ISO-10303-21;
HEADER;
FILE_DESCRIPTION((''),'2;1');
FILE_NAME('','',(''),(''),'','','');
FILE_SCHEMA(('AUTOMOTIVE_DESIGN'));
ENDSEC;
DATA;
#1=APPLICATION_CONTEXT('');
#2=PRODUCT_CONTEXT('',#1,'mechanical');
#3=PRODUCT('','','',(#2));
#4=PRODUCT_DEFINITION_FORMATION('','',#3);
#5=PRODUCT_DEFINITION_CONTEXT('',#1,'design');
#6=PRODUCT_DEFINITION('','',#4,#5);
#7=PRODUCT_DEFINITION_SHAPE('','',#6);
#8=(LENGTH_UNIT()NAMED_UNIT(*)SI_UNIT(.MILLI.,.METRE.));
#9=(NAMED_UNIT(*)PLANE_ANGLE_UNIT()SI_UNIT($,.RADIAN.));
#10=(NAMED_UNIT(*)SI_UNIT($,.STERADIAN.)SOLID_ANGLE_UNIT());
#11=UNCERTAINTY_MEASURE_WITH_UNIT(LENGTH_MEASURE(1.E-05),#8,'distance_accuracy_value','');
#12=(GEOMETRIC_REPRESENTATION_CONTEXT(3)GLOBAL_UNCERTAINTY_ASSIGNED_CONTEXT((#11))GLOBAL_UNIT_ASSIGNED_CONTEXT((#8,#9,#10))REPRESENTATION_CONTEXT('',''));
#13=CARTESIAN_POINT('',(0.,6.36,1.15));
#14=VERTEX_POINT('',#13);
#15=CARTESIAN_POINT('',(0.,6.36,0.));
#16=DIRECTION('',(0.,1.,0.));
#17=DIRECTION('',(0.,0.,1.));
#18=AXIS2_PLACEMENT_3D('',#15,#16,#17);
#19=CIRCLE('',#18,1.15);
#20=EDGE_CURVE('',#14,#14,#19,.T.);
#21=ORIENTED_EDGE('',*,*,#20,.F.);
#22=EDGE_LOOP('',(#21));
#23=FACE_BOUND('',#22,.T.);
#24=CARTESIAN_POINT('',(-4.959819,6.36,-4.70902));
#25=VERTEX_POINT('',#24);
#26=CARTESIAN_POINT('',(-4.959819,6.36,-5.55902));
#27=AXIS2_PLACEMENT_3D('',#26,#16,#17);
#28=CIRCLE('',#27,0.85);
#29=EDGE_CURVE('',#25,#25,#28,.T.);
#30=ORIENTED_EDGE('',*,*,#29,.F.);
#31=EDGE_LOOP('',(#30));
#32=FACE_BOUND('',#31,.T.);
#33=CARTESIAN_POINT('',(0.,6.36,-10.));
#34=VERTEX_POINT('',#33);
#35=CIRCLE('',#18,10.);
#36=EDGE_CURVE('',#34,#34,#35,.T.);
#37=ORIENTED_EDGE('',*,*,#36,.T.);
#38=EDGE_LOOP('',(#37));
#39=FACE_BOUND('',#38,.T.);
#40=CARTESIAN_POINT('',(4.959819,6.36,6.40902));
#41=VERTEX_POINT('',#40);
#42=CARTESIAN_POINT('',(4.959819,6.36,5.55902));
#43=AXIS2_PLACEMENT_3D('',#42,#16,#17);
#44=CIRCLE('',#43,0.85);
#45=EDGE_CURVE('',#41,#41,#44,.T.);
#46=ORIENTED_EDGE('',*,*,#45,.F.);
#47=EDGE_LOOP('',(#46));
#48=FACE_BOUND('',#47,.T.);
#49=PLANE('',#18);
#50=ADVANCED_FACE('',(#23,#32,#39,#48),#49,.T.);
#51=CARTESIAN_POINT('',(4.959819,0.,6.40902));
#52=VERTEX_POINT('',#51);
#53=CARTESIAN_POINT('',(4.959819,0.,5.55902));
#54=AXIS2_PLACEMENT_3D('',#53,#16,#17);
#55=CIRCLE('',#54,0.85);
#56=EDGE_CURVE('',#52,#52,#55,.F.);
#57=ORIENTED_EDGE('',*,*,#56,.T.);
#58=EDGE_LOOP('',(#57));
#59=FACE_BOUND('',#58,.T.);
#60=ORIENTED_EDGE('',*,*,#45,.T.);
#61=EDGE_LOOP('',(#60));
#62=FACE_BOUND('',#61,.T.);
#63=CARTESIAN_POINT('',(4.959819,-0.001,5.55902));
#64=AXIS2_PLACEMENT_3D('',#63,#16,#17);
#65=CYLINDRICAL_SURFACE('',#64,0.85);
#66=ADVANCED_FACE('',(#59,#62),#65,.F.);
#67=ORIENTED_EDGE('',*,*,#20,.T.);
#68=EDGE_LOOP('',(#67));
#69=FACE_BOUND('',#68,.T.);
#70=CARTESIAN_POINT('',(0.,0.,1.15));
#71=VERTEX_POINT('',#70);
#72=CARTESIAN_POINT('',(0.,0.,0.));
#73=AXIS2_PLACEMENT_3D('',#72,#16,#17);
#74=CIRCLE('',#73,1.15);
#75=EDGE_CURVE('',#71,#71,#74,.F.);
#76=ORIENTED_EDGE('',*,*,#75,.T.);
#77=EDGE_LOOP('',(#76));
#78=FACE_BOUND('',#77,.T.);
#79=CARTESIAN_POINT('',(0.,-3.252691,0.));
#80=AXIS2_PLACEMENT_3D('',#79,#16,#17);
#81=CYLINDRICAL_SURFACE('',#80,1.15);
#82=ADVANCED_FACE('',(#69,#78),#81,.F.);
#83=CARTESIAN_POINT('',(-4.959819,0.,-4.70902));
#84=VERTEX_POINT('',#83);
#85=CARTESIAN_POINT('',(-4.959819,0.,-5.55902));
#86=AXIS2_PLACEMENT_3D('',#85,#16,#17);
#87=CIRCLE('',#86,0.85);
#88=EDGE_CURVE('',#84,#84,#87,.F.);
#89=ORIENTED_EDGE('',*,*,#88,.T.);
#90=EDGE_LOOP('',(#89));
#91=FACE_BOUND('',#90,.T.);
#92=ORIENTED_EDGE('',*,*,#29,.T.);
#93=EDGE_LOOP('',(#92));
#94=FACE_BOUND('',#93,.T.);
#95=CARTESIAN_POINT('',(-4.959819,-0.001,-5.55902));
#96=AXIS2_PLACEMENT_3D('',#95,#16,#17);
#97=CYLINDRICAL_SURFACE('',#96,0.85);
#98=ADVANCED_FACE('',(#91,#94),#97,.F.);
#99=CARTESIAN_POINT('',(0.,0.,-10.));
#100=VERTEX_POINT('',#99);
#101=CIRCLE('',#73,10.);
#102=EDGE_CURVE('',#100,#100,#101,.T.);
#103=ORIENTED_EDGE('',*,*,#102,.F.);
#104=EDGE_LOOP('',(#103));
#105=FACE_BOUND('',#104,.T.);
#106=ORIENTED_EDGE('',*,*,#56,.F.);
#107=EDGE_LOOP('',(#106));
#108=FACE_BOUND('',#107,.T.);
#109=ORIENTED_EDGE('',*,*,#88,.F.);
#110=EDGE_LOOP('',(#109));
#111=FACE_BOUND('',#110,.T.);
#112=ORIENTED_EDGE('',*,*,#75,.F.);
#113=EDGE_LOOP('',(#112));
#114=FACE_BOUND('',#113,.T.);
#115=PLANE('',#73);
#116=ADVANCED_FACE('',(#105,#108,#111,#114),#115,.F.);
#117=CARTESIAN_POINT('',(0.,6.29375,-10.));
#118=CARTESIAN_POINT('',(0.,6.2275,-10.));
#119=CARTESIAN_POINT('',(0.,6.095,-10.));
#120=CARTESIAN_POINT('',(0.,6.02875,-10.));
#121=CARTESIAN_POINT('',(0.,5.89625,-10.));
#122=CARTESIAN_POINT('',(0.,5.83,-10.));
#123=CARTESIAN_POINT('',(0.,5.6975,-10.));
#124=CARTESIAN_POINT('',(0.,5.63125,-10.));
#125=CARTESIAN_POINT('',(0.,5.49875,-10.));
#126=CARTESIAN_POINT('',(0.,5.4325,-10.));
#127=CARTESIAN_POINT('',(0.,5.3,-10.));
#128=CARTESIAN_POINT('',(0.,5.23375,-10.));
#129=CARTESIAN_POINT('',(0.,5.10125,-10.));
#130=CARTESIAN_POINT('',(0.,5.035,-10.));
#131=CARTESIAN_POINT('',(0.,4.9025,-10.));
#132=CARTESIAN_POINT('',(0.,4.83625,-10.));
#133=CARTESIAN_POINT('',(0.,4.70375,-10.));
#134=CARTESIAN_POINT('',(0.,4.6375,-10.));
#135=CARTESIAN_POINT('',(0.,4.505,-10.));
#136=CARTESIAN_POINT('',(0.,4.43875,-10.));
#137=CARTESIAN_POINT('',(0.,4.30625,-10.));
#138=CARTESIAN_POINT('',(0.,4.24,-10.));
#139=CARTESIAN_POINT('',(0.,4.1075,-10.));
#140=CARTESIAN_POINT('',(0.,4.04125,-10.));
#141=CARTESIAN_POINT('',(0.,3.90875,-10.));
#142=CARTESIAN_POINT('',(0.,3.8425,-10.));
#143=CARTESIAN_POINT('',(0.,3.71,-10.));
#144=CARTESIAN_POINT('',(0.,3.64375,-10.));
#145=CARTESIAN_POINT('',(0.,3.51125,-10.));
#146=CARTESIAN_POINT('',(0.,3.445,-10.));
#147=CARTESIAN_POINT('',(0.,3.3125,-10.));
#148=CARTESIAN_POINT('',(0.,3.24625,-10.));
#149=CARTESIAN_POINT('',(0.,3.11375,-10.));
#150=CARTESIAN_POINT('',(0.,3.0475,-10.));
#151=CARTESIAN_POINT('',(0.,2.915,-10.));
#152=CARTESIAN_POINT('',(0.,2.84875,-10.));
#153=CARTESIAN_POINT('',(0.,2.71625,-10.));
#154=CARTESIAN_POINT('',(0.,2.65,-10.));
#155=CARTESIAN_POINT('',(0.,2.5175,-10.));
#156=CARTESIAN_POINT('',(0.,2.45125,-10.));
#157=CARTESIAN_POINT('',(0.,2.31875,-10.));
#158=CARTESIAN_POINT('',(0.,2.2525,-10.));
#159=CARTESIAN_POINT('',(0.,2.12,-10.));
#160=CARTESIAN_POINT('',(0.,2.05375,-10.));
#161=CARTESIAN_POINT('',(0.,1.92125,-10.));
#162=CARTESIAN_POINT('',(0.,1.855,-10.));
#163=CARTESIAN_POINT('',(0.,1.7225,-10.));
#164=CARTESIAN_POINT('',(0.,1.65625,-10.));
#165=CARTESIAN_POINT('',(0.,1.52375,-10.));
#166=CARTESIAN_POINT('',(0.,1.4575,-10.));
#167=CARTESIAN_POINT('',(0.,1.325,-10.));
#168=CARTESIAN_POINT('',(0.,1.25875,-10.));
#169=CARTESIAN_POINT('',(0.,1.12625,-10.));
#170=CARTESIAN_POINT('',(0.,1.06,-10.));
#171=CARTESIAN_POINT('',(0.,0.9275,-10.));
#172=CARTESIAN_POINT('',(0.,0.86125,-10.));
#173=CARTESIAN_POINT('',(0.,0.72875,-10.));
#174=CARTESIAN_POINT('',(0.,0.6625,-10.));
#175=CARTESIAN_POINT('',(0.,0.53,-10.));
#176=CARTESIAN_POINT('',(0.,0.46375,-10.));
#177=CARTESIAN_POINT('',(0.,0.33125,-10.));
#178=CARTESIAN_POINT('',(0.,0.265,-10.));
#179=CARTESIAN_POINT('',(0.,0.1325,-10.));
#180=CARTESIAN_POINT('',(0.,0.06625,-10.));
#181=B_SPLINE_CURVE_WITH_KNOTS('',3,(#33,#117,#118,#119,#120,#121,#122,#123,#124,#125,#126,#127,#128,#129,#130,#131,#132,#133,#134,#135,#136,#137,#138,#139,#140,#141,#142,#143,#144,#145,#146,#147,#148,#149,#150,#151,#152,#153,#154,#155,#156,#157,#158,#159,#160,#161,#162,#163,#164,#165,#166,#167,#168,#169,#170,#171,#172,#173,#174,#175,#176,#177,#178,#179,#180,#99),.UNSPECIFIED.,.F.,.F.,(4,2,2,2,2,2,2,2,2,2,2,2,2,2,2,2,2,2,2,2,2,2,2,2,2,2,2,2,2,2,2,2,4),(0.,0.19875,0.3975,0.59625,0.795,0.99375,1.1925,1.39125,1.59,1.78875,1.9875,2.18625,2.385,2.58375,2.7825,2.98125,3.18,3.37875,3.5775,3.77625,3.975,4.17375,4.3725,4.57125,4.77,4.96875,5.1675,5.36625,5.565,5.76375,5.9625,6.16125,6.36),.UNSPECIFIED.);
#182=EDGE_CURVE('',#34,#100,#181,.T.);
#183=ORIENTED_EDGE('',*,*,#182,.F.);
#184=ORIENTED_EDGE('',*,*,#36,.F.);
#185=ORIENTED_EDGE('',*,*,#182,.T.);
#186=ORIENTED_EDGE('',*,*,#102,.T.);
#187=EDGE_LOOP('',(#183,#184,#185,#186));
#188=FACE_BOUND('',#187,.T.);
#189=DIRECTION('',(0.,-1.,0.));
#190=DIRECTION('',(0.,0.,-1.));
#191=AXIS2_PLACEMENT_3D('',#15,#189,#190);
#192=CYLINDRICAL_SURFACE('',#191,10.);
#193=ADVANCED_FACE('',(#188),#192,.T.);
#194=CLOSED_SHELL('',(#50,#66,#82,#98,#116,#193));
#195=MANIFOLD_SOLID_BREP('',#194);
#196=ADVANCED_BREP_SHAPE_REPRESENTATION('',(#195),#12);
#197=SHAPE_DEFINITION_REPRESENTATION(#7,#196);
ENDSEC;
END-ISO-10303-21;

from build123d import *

# Parameters (mm, degrees)
SKETCH1_R           = 10
BOSS_EXTRUDE1_DEPTH = 6.36
SKETCH2_R           = 1.15
CUT_EXTRUDE1_DEPTH  = 6.36
CUT_EXTRUDE2_REACH  = 17.506
SKETCH3_R           = 0.85
CUT_EXTRUDE3_REACH  = 17.506
SKETCH4_R           = 0.85


with BuildPart() as part:
    # Sketch1 → Boss-Extrude1 (new body)
    with BuildSketch(Plane(origin=(0, 0, 0), x_dir=(1, 0, 0), z_dir=(0, 1, 0))):
        with Locations(Location((0, 0, 0), (0, 0, 90))):
            Circle(SKETCH1_R)
    extrude(amount=BOSS_EXTRUDE1_DEPTH)

    # Sketch2 → Cut-Extrude1 (cut)
    with BuildSketch(Plane(origin=(0, 6.36, 0), x_dir=(1, 0, 0), z_dir=(0, 1, 0))):
        with Locations(Location((0, 0, 0), (0, 0, 270))):
            Circle(SKETCH2_R)
    extrude(amount=-CUT_EXTRUDE1_DEPTH, mode=Mode.SUBTRACT)

    # Sketch3 → Cut-Extrude2 (cut, up to next)
    with BuildSketch(Plane(origin=(0, 6.36, 0), x_dir=(1, 0, 0), z_dir=(0, 1, 0)), mode=Mode.PRIVATE) as cut_extrude2_sk1:
        with Locations(Location((4.959818651, -5.559019603, 0), (0, 0, 270))):
            Circle(SKETCH3_R)
    cut_extrude2_tool1 = extrude(cut_extrude2_sk1.sketch, amount=-CUT_EXTRUDE2_REACH, mode=Mode.PRIVATE) & part.part
    add(cut_extrude2_tool1.solids().sort_by_distance((4.959819, 6.36, 5.55902))[0], mode=Mode.SUBTRACT)

    # Sketch4 → Cut-Extrude3 (cut, up to next)
    with BuildSketch(Plane(origin=(0, 6.36, 0), x_dir=(1, 0, 0), z_dir=(0, 1, 0)), mode=Mode.PRIVATE) as cut_extrude3_sk1:
        with Locations(Location((-4.959818651, 5.559019603, 0), (0, 0, 270))):
            Circle(SKETCH4_R)
    cut_extrude3_tool1 = extrude(cut_extrude3_sk1.sketch, amount=-CUT_EXTRUDE3_REACH, mode=Mode.PRIVATE) & part.part
    add(cut_extrude3_tool1.solids().sort_by_distance((-4.959819, 6.36, -5.55902))[0], mode=Mode.SUBTRACT)


solid = part.part
